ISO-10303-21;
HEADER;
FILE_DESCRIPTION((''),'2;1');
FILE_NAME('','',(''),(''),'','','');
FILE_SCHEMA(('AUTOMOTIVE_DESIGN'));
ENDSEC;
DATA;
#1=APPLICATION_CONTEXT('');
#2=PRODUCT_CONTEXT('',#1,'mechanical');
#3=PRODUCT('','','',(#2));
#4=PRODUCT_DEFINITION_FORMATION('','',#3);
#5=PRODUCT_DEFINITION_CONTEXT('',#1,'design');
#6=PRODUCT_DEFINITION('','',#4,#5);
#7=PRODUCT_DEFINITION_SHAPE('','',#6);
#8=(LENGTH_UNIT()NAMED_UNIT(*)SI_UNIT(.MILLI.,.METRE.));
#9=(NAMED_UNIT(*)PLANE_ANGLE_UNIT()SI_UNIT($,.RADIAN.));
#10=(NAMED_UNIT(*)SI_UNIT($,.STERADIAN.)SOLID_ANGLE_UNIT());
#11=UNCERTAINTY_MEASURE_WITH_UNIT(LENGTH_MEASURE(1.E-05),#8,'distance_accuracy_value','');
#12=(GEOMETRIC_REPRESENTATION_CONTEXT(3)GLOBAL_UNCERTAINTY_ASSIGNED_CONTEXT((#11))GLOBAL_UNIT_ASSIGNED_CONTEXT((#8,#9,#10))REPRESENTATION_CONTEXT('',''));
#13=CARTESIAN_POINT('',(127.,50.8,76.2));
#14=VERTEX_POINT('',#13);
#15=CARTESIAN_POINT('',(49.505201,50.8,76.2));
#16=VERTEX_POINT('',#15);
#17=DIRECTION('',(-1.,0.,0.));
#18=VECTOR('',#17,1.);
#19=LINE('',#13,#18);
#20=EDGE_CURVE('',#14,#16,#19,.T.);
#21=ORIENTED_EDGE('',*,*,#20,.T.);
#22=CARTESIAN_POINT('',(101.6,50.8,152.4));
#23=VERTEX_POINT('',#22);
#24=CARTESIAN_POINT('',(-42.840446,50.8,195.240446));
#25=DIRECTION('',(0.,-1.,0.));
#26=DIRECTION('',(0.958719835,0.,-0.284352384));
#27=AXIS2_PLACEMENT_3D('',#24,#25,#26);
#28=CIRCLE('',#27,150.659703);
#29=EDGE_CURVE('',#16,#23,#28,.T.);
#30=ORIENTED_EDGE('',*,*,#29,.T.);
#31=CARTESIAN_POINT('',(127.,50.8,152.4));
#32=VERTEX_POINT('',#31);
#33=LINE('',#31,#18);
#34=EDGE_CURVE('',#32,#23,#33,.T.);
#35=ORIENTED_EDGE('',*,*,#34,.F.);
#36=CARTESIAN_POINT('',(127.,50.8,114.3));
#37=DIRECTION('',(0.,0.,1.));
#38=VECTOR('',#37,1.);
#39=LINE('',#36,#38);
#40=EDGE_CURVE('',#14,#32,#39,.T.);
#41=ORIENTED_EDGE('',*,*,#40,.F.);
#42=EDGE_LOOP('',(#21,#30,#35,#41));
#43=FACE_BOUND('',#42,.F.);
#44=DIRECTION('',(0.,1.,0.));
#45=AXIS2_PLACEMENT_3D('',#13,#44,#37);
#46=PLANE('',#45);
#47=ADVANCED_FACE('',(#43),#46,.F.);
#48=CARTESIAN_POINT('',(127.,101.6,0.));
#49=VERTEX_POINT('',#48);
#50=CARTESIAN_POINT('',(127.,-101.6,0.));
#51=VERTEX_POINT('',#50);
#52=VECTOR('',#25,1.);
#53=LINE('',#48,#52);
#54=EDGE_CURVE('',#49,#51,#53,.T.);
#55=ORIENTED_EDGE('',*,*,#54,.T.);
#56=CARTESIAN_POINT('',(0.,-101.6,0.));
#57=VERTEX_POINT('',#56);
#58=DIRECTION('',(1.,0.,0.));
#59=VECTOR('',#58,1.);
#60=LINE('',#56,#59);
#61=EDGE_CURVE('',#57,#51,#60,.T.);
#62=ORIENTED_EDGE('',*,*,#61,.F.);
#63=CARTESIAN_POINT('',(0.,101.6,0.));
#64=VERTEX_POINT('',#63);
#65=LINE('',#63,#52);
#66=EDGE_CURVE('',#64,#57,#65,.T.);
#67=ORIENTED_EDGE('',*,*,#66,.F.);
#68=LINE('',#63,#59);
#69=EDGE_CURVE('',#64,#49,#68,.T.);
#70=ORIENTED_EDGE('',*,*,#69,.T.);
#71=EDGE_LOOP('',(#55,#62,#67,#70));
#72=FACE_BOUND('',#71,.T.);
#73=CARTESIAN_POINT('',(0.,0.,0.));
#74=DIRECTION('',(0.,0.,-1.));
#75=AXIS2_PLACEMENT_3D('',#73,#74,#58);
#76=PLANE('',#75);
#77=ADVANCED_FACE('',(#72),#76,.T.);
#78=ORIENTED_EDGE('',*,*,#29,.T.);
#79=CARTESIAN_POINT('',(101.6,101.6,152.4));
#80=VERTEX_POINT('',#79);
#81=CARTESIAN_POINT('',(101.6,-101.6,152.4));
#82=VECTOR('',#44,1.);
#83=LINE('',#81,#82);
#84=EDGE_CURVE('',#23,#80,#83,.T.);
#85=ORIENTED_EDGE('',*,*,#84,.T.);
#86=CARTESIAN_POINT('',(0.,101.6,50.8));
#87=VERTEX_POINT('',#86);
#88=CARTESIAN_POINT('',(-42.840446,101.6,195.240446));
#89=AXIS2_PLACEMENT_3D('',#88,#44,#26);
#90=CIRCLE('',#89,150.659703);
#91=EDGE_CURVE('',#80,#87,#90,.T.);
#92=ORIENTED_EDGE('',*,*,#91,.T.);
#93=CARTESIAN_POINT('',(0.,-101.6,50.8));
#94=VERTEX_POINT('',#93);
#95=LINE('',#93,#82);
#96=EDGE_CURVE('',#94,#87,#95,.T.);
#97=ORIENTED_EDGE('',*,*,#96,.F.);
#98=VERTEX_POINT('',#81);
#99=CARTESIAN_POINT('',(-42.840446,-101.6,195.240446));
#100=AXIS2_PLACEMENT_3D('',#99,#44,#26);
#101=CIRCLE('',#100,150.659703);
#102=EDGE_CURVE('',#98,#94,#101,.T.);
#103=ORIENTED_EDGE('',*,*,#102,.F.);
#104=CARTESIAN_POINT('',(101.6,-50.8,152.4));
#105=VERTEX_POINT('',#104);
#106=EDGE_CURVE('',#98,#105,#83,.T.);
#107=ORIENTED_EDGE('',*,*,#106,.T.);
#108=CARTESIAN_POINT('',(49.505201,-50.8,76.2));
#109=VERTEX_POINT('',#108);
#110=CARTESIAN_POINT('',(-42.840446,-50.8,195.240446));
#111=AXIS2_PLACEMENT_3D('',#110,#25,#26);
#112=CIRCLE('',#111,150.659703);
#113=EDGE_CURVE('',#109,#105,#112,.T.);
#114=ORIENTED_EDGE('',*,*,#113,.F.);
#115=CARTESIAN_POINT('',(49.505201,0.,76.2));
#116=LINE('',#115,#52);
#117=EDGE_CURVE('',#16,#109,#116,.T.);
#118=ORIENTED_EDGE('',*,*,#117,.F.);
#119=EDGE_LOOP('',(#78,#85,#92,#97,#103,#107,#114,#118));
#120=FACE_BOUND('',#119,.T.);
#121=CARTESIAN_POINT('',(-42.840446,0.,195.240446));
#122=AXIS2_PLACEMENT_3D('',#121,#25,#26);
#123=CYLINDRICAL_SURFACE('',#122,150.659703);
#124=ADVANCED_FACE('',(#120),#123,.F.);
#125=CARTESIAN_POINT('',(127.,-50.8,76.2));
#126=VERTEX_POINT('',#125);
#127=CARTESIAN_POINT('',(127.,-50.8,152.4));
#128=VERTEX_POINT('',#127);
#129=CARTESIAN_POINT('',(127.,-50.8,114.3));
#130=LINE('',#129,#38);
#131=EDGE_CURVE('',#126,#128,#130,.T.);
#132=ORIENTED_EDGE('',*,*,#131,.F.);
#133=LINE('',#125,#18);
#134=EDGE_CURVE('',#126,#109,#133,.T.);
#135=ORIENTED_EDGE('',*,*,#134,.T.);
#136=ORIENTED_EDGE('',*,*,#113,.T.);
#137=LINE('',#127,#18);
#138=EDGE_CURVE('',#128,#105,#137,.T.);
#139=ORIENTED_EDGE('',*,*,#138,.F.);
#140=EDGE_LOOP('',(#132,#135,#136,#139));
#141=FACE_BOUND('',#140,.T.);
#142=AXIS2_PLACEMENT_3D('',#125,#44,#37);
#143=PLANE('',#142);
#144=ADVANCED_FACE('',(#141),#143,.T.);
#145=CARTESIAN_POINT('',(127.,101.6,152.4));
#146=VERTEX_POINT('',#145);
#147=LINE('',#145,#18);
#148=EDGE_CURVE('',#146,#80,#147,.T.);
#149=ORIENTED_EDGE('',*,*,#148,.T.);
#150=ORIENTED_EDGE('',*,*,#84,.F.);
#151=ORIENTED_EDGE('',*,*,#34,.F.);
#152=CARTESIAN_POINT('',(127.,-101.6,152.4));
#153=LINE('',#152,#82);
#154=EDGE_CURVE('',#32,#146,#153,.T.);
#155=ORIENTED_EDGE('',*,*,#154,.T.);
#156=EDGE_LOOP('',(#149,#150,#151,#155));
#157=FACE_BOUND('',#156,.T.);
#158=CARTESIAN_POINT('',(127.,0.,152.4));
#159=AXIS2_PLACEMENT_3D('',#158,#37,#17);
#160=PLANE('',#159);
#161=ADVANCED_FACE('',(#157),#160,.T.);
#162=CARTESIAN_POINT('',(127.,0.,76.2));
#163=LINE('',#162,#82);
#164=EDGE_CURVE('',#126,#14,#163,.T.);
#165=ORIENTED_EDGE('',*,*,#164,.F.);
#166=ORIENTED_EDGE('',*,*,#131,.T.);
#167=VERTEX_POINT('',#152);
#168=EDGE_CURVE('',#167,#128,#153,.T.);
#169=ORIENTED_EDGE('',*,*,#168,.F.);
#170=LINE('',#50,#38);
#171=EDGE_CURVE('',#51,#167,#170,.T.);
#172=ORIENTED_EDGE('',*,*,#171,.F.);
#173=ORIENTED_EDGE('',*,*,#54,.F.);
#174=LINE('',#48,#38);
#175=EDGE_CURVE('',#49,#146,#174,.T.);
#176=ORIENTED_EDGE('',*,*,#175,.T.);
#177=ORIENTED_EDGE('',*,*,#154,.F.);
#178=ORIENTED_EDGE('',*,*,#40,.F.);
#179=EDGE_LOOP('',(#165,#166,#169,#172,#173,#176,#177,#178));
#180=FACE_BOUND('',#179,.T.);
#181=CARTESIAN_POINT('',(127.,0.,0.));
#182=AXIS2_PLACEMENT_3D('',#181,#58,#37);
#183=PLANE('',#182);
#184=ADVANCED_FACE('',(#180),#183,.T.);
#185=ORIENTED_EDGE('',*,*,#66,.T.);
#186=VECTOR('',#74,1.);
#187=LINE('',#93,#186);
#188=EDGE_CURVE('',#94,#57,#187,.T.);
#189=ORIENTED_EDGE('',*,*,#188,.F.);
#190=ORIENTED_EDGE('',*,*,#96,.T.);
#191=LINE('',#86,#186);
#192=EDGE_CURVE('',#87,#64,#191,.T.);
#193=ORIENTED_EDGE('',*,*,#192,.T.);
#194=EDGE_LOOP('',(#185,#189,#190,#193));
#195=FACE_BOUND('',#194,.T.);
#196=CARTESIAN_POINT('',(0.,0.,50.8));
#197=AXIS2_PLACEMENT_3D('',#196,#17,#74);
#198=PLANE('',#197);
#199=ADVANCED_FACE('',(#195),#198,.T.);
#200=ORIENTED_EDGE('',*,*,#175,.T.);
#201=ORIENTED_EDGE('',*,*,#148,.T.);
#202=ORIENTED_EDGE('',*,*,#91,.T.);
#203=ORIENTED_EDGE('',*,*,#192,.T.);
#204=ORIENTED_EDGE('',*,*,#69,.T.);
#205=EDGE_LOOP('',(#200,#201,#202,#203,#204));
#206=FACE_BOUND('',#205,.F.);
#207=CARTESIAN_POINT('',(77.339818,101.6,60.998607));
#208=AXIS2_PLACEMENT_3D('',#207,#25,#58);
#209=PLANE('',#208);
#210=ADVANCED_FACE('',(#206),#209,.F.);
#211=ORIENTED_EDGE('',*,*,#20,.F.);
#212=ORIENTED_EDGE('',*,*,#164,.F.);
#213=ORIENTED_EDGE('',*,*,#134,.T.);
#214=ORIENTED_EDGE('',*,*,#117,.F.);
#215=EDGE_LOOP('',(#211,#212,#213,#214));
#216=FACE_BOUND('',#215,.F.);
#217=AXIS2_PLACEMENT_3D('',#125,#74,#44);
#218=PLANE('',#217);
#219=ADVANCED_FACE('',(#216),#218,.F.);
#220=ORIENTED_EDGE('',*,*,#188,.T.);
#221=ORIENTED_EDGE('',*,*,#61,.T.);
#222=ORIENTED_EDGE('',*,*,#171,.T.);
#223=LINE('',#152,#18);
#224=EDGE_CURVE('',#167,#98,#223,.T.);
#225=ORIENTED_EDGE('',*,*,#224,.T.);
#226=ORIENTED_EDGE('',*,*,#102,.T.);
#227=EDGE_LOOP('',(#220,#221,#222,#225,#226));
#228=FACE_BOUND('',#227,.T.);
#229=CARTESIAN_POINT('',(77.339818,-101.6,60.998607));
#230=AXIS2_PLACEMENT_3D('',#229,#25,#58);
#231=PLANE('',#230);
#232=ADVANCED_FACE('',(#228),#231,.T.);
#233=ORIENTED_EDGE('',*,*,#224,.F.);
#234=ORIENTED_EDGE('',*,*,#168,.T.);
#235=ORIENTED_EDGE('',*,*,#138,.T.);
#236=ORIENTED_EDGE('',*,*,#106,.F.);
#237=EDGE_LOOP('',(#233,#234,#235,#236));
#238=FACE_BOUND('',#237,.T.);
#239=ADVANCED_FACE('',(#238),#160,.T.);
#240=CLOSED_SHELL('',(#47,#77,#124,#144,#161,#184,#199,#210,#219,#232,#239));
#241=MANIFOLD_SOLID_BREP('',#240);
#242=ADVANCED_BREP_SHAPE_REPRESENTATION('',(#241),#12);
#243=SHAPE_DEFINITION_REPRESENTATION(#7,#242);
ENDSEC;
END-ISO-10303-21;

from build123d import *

# Parameters (mm, degrees)
F1_DEPTH = 101.6
F2_W     = 101.6
F2_H     = 76.2
F3_DEPTH = 127.001


with BuildPart() as f1:
    # F0 (on Front) → F1 (new body, symmetric)
    with BuildSketch(Plane.XZ):
        with BuildLine():
            Line((0, 50.8), (0, 0))
            Line((0, 0), (127, 0))
            Line((127, 0), (127, 152.4))
            Line((127, 152.4), (101.6, 152.4))
            ThreePointArc((101.6, 152.4), (63.692052, 88.707948), (0, 50.8))
        make_face()
    extrude(amount=F1_DEPTH, both=True)

    # F2 (on face) → F3 (cut, through all)
    with BuildSketch(Plane.YZ.offset(127)):
        with Locations((0, 114.3)):
            Rectangle(F2_W, F2_H)
    extrude(amount=-F3_DEPTH, mode=Mode.SUBTRACT)


solid = f1.part
